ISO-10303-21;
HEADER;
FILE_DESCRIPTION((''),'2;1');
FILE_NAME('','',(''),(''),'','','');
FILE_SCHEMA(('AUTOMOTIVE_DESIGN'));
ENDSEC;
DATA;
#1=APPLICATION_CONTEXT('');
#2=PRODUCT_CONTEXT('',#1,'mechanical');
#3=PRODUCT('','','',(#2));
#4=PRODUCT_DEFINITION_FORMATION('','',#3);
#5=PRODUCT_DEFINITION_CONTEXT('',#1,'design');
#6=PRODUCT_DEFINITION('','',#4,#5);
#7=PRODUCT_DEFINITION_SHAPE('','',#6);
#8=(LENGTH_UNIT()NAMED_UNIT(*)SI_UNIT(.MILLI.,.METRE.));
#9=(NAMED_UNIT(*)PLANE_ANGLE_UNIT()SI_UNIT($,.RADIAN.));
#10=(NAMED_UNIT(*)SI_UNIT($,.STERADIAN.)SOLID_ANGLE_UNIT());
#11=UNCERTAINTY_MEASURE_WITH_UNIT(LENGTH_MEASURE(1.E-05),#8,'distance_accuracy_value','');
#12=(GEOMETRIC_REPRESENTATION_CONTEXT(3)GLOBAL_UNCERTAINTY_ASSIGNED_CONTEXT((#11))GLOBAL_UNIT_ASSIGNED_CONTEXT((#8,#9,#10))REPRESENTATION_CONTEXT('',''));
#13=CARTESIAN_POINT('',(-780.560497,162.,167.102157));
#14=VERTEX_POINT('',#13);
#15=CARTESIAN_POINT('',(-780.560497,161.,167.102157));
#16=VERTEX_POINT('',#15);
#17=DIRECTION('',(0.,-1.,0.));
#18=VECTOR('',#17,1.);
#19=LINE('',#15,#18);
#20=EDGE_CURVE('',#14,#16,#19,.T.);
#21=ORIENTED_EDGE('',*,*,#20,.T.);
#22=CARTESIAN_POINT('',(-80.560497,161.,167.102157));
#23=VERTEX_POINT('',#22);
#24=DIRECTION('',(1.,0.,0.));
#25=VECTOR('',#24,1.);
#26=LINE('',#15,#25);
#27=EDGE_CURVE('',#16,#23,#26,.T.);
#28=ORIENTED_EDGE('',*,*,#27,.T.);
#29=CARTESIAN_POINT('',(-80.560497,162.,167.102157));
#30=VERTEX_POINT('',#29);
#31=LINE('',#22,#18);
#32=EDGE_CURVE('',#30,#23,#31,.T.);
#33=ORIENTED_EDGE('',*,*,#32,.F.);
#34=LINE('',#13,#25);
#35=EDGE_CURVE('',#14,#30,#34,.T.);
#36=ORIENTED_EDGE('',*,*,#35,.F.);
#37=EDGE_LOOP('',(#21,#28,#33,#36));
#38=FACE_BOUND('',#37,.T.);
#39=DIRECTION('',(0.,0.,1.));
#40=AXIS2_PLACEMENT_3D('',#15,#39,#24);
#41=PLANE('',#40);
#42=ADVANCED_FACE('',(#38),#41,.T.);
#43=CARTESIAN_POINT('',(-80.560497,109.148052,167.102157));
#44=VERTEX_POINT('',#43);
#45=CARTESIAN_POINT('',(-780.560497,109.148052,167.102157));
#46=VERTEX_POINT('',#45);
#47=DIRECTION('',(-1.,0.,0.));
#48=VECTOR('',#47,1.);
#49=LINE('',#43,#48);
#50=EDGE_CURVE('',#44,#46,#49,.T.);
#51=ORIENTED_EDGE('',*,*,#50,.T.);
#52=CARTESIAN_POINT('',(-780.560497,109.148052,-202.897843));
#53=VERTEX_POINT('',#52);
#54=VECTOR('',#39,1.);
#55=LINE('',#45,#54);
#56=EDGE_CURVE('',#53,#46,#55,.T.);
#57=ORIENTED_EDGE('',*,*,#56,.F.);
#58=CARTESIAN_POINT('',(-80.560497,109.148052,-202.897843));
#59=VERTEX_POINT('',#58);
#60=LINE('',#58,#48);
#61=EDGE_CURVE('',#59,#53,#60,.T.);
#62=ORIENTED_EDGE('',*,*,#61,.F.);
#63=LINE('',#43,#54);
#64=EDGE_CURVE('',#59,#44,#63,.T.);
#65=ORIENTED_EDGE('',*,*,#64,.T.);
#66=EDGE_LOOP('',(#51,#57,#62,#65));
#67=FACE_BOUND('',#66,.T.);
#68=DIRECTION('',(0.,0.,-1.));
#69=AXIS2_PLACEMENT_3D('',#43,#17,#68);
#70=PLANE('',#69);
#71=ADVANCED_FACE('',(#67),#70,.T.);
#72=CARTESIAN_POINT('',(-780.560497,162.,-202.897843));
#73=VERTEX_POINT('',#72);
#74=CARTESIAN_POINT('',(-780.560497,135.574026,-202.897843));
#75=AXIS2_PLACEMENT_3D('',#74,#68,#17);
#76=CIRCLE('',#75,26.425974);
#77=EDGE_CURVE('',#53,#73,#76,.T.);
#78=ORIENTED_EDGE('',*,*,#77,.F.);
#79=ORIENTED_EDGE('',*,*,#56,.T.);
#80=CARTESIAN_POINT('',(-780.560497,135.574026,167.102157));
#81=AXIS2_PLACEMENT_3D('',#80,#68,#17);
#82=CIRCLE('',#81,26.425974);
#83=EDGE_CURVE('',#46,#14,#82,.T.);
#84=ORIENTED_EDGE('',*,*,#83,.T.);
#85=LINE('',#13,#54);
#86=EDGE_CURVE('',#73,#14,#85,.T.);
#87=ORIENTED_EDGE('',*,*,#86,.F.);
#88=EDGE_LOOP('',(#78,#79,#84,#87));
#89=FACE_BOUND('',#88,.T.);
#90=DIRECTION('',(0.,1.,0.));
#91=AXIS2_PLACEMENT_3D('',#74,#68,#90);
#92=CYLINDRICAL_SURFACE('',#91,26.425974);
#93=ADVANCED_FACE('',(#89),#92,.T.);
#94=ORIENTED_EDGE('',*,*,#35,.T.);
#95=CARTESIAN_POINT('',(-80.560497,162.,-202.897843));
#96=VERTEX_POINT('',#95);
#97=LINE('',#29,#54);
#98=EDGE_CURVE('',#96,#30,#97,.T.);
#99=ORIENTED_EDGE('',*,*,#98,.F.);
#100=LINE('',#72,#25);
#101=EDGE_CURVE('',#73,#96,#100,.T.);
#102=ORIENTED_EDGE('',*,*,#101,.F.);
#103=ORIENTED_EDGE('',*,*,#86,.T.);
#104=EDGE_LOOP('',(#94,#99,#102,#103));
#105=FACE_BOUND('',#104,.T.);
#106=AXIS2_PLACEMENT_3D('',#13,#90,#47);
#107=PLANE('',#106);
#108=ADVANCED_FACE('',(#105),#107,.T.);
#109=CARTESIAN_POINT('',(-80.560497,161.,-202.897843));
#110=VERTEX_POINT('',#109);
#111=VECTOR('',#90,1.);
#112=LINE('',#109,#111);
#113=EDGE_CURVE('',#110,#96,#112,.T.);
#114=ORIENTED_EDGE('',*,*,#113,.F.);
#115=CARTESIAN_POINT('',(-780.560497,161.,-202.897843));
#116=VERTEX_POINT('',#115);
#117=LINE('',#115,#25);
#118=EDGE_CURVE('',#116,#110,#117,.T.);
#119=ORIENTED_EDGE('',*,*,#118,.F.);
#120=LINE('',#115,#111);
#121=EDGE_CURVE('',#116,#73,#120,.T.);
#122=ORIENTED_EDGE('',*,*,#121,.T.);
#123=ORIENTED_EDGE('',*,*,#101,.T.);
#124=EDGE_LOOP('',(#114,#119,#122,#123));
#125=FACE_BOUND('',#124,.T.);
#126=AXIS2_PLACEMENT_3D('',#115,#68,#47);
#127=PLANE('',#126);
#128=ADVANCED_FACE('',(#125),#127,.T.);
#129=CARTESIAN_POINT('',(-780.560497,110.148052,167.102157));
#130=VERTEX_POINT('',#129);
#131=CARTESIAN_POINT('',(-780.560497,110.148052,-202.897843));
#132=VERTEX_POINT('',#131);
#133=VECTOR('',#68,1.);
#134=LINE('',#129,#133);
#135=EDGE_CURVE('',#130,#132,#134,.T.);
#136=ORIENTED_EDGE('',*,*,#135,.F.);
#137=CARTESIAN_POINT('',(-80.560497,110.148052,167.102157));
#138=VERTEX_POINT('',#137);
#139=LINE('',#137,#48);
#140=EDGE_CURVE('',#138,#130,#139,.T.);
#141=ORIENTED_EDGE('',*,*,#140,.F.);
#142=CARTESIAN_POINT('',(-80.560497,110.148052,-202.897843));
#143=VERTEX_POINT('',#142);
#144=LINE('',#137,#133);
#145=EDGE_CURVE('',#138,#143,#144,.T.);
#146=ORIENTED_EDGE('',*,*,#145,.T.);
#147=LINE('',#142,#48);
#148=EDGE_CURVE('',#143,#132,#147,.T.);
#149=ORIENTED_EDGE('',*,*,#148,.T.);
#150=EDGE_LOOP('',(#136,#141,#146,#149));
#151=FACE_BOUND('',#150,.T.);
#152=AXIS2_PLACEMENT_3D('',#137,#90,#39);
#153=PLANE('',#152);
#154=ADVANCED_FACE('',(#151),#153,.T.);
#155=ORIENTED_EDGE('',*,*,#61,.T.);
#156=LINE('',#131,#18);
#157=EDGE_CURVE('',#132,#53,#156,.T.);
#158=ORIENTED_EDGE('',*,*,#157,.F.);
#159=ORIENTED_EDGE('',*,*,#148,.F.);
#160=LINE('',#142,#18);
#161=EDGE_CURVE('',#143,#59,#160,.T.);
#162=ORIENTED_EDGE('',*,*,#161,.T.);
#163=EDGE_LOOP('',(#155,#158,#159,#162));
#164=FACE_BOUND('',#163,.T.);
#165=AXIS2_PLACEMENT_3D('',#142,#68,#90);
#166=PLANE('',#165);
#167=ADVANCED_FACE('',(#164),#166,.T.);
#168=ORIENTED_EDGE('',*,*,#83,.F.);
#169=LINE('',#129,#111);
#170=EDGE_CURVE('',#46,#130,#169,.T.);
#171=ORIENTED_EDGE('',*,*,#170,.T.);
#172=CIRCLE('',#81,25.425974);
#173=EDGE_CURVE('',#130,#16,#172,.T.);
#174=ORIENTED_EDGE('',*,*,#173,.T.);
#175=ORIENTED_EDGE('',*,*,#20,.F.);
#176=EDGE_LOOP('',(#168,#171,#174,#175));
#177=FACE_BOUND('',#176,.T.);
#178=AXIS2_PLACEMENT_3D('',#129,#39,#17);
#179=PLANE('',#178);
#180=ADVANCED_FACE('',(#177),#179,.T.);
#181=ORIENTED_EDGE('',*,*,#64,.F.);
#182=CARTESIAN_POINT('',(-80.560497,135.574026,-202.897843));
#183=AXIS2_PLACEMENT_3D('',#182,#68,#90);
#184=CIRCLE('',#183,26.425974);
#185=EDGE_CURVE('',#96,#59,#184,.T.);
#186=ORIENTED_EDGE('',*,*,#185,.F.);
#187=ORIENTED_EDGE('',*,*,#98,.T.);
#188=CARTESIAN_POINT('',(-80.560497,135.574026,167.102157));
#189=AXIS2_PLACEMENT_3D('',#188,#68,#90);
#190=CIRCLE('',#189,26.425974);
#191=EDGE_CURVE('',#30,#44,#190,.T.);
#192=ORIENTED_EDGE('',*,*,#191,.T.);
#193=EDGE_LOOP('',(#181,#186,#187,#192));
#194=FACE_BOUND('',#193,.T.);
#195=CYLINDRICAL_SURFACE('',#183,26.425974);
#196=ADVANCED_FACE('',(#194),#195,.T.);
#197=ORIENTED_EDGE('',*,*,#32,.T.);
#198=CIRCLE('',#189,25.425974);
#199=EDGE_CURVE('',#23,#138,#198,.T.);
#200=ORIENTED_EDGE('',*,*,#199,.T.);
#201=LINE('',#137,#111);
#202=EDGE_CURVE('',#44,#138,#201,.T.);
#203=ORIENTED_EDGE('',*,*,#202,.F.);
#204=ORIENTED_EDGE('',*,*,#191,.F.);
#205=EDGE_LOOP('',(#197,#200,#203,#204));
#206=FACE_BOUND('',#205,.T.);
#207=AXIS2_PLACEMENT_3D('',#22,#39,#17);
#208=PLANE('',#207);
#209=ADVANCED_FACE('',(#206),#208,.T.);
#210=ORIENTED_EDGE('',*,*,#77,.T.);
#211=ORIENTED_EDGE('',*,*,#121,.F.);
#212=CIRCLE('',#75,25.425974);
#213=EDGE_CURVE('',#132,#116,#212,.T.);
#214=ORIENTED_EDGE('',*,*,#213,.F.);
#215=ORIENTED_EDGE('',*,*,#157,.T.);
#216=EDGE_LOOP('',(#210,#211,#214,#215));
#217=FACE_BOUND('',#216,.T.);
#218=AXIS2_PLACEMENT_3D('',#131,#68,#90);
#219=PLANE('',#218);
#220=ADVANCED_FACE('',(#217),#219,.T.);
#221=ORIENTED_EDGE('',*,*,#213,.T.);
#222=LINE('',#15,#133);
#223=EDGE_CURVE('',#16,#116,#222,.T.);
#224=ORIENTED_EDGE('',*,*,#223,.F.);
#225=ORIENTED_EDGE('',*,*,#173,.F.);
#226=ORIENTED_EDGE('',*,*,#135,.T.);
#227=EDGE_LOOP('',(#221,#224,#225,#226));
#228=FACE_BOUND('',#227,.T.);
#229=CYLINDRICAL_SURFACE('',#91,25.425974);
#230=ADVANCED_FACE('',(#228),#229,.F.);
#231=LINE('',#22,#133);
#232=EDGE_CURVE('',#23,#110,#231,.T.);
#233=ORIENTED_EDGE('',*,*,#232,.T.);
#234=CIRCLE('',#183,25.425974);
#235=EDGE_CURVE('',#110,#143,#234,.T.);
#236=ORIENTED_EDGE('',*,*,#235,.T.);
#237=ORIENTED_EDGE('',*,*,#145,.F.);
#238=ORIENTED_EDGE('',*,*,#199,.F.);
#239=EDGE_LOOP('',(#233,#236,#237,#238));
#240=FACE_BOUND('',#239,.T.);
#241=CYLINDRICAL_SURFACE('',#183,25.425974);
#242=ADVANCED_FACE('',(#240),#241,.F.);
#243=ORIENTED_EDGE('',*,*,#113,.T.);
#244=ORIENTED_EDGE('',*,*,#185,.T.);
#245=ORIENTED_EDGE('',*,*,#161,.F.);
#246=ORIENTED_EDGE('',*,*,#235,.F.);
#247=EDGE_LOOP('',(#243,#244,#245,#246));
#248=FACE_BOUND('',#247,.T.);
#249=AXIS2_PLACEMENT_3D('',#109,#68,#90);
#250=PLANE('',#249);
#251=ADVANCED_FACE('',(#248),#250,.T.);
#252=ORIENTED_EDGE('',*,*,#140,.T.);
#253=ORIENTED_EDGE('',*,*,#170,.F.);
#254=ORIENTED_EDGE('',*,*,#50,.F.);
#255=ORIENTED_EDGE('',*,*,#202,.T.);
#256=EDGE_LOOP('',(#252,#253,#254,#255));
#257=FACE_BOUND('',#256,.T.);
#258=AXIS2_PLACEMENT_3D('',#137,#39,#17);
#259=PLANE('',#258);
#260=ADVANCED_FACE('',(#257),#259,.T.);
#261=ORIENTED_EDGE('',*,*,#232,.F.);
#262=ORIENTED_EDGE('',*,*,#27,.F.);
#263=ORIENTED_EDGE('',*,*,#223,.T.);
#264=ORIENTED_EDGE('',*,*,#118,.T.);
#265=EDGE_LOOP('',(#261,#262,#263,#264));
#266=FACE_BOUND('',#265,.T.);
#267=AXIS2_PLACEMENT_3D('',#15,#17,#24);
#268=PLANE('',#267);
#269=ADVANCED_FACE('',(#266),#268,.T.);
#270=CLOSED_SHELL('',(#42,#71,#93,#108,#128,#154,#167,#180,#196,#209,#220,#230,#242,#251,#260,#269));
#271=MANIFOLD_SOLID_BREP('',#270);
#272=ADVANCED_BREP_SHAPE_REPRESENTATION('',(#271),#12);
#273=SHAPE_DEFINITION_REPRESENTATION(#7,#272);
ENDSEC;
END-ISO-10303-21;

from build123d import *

# Parameters (mm, degrees)
SKETCH_2_W = 370
SKETCH_2_H = 1


with BuildPart() as part:
    # 扫描1: sweep along a path in 草图1
    with BuildLine(Plane(origin=(0, 0, -202.897842698), x_dir=(-1, 0, 0), z_dir=(0, 0, -1))) as sweep_1_path:
        Line((80.56049666, 160.574025873), (780.56049666, 160.574025873))
        ThreePointArc((780.56049666, 160.574025873), (805.56049666, 135.574025873), (780.56049666, 110.574025873))
        Line((780.56049666, 110.574025873), (80.56049666, 110.574025873))
        ThreePointArc((80.56049666, 110.574025873), (55.56049666, 135.574025873), (80.56049666, 160.574025873))
    # 草图2 → 扫描1 (sweep)
    with BuildSketch(Plane(origin=(-80.56049666, 0, 0), x_dir=(0, 0, -1), z_dir=(1, 0, 0))):
        with Locations((17.897842698, 161.5)):
            Rectangle(SKETCH_2_W, SKETCH_2_H)
    sweep(path=sweep_1_path.line)


solid = part.part
